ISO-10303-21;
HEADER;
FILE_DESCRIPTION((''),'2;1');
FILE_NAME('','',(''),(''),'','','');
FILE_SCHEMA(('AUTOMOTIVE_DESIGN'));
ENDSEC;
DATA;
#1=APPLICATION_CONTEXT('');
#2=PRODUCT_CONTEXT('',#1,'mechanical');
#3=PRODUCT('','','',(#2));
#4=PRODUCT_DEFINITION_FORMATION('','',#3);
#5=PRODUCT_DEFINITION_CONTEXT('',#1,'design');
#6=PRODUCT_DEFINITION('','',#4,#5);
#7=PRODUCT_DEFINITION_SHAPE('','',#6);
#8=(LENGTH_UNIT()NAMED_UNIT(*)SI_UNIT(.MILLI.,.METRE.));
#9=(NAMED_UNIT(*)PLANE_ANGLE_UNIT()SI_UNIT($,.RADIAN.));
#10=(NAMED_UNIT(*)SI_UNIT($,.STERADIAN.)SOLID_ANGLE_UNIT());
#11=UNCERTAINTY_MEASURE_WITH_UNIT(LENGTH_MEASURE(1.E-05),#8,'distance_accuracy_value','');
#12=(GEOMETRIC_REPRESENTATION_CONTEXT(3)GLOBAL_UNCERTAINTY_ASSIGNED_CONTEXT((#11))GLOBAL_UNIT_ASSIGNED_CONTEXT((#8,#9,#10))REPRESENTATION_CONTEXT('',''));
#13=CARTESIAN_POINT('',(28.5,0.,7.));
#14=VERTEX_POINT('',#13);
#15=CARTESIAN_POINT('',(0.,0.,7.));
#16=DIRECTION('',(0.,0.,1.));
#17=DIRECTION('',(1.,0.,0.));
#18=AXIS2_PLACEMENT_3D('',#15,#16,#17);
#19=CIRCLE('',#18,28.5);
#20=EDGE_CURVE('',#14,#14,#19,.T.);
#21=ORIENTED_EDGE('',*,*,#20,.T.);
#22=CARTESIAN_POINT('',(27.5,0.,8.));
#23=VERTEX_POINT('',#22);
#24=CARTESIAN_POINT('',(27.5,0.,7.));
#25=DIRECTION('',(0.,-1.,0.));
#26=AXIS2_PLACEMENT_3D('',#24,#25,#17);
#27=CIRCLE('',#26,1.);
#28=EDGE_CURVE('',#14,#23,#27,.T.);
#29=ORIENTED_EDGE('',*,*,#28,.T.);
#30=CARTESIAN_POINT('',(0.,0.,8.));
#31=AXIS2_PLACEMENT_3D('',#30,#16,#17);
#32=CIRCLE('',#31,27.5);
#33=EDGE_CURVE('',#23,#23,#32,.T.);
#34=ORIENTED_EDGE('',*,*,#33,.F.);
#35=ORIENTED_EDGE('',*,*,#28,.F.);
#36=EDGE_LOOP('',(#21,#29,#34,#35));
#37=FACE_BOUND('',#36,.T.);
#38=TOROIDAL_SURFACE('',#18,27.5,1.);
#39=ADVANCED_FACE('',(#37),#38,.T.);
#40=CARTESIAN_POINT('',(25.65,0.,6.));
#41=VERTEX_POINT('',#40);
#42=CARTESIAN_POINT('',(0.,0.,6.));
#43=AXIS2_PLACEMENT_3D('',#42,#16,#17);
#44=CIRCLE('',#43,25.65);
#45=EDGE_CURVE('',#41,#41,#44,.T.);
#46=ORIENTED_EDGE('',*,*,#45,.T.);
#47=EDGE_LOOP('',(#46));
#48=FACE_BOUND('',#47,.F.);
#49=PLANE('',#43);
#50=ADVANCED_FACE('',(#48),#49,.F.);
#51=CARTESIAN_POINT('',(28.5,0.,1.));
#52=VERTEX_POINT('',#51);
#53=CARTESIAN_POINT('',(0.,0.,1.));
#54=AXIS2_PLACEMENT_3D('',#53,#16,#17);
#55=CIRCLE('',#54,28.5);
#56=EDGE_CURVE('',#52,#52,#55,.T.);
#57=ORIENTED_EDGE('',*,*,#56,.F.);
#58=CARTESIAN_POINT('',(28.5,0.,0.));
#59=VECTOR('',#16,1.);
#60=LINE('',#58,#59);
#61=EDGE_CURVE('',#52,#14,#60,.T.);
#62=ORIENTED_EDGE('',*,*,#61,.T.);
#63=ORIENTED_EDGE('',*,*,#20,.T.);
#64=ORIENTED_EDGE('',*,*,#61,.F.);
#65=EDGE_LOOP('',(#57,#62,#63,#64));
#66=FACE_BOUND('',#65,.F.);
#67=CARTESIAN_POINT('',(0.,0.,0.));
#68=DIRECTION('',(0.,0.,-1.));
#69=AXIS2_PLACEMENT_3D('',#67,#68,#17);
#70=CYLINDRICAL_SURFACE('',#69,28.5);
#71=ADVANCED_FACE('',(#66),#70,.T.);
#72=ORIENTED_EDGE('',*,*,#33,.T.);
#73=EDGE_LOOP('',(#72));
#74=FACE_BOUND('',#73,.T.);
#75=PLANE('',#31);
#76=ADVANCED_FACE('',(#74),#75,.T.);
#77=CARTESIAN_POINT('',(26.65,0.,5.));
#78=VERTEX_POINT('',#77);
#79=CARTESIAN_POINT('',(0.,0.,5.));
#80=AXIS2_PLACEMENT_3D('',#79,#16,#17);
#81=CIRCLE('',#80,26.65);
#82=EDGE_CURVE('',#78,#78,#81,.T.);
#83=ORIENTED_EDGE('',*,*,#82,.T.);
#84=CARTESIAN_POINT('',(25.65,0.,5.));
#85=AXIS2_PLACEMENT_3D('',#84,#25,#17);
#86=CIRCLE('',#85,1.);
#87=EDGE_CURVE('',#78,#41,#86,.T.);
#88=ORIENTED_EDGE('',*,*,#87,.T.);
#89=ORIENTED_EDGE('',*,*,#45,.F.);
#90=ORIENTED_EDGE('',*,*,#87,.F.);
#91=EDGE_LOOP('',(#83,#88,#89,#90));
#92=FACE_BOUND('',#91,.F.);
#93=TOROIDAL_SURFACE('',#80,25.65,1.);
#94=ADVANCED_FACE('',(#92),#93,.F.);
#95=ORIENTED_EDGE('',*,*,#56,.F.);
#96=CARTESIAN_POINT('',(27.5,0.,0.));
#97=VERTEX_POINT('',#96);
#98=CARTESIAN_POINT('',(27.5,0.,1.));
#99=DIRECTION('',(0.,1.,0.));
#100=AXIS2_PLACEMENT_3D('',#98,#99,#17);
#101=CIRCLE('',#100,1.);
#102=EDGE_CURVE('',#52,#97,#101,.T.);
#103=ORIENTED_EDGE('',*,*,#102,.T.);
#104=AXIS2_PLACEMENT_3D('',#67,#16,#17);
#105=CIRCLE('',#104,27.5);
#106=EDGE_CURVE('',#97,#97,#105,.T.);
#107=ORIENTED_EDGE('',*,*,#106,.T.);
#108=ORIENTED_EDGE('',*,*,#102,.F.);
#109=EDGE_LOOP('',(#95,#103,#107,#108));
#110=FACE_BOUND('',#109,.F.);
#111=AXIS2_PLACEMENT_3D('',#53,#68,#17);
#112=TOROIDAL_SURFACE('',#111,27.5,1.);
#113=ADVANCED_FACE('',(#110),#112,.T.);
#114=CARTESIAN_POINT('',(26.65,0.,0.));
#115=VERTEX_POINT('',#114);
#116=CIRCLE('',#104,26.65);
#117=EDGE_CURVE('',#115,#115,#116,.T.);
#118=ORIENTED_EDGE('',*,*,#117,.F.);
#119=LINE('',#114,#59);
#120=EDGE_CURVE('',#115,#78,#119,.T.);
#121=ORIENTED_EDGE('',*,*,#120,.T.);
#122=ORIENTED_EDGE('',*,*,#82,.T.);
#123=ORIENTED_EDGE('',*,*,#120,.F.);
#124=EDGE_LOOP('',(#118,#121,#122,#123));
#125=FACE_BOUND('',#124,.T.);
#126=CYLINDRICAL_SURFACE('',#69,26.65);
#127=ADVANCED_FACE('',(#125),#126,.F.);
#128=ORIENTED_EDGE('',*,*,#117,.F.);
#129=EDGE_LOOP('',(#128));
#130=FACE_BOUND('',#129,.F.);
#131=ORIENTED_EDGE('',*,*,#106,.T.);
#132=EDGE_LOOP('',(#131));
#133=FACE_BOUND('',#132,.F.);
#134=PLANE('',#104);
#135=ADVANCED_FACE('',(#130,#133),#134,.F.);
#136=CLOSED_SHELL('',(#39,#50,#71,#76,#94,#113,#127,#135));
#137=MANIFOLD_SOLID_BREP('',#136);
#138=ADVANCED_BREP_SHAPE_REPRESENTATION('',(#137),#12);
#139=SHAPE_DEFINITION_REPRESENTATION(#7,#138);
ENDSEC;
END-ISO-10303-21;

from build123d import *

# Parameters (mm, degrees)
SKETCH001_R  = 28.5
PAD_DEPTH    = 8
SKETCH_R     = 26.65
POCKET_DEPTH = 6
FILLET_R     = 1


with BuildPart() as part:
    # Sketch001 → Pad (new body)
    with BuildSketch(Plane.XY):
        Circle(SKETCH001_R)
    extrude(amount=PAD_DEPTH)

    # Sketch → Pocket (cut)
    with BuildSketch(Plane.XY):
        Circle(SKETCH_R)
    extrude(amount=POCKET_DEPTH, mode=Mode.SUBTRACT)

    # Fillet
    fillet_edges = [part.edges().sort_by_distance(p)[0] for p in [
        (-28.5, 0, 8),
        (-28.5, 0, 0),
        (-26.65, 0, 6),
    ]]
    fillet(fillet_edges, radius=FILLET_R)


solid = part.part
